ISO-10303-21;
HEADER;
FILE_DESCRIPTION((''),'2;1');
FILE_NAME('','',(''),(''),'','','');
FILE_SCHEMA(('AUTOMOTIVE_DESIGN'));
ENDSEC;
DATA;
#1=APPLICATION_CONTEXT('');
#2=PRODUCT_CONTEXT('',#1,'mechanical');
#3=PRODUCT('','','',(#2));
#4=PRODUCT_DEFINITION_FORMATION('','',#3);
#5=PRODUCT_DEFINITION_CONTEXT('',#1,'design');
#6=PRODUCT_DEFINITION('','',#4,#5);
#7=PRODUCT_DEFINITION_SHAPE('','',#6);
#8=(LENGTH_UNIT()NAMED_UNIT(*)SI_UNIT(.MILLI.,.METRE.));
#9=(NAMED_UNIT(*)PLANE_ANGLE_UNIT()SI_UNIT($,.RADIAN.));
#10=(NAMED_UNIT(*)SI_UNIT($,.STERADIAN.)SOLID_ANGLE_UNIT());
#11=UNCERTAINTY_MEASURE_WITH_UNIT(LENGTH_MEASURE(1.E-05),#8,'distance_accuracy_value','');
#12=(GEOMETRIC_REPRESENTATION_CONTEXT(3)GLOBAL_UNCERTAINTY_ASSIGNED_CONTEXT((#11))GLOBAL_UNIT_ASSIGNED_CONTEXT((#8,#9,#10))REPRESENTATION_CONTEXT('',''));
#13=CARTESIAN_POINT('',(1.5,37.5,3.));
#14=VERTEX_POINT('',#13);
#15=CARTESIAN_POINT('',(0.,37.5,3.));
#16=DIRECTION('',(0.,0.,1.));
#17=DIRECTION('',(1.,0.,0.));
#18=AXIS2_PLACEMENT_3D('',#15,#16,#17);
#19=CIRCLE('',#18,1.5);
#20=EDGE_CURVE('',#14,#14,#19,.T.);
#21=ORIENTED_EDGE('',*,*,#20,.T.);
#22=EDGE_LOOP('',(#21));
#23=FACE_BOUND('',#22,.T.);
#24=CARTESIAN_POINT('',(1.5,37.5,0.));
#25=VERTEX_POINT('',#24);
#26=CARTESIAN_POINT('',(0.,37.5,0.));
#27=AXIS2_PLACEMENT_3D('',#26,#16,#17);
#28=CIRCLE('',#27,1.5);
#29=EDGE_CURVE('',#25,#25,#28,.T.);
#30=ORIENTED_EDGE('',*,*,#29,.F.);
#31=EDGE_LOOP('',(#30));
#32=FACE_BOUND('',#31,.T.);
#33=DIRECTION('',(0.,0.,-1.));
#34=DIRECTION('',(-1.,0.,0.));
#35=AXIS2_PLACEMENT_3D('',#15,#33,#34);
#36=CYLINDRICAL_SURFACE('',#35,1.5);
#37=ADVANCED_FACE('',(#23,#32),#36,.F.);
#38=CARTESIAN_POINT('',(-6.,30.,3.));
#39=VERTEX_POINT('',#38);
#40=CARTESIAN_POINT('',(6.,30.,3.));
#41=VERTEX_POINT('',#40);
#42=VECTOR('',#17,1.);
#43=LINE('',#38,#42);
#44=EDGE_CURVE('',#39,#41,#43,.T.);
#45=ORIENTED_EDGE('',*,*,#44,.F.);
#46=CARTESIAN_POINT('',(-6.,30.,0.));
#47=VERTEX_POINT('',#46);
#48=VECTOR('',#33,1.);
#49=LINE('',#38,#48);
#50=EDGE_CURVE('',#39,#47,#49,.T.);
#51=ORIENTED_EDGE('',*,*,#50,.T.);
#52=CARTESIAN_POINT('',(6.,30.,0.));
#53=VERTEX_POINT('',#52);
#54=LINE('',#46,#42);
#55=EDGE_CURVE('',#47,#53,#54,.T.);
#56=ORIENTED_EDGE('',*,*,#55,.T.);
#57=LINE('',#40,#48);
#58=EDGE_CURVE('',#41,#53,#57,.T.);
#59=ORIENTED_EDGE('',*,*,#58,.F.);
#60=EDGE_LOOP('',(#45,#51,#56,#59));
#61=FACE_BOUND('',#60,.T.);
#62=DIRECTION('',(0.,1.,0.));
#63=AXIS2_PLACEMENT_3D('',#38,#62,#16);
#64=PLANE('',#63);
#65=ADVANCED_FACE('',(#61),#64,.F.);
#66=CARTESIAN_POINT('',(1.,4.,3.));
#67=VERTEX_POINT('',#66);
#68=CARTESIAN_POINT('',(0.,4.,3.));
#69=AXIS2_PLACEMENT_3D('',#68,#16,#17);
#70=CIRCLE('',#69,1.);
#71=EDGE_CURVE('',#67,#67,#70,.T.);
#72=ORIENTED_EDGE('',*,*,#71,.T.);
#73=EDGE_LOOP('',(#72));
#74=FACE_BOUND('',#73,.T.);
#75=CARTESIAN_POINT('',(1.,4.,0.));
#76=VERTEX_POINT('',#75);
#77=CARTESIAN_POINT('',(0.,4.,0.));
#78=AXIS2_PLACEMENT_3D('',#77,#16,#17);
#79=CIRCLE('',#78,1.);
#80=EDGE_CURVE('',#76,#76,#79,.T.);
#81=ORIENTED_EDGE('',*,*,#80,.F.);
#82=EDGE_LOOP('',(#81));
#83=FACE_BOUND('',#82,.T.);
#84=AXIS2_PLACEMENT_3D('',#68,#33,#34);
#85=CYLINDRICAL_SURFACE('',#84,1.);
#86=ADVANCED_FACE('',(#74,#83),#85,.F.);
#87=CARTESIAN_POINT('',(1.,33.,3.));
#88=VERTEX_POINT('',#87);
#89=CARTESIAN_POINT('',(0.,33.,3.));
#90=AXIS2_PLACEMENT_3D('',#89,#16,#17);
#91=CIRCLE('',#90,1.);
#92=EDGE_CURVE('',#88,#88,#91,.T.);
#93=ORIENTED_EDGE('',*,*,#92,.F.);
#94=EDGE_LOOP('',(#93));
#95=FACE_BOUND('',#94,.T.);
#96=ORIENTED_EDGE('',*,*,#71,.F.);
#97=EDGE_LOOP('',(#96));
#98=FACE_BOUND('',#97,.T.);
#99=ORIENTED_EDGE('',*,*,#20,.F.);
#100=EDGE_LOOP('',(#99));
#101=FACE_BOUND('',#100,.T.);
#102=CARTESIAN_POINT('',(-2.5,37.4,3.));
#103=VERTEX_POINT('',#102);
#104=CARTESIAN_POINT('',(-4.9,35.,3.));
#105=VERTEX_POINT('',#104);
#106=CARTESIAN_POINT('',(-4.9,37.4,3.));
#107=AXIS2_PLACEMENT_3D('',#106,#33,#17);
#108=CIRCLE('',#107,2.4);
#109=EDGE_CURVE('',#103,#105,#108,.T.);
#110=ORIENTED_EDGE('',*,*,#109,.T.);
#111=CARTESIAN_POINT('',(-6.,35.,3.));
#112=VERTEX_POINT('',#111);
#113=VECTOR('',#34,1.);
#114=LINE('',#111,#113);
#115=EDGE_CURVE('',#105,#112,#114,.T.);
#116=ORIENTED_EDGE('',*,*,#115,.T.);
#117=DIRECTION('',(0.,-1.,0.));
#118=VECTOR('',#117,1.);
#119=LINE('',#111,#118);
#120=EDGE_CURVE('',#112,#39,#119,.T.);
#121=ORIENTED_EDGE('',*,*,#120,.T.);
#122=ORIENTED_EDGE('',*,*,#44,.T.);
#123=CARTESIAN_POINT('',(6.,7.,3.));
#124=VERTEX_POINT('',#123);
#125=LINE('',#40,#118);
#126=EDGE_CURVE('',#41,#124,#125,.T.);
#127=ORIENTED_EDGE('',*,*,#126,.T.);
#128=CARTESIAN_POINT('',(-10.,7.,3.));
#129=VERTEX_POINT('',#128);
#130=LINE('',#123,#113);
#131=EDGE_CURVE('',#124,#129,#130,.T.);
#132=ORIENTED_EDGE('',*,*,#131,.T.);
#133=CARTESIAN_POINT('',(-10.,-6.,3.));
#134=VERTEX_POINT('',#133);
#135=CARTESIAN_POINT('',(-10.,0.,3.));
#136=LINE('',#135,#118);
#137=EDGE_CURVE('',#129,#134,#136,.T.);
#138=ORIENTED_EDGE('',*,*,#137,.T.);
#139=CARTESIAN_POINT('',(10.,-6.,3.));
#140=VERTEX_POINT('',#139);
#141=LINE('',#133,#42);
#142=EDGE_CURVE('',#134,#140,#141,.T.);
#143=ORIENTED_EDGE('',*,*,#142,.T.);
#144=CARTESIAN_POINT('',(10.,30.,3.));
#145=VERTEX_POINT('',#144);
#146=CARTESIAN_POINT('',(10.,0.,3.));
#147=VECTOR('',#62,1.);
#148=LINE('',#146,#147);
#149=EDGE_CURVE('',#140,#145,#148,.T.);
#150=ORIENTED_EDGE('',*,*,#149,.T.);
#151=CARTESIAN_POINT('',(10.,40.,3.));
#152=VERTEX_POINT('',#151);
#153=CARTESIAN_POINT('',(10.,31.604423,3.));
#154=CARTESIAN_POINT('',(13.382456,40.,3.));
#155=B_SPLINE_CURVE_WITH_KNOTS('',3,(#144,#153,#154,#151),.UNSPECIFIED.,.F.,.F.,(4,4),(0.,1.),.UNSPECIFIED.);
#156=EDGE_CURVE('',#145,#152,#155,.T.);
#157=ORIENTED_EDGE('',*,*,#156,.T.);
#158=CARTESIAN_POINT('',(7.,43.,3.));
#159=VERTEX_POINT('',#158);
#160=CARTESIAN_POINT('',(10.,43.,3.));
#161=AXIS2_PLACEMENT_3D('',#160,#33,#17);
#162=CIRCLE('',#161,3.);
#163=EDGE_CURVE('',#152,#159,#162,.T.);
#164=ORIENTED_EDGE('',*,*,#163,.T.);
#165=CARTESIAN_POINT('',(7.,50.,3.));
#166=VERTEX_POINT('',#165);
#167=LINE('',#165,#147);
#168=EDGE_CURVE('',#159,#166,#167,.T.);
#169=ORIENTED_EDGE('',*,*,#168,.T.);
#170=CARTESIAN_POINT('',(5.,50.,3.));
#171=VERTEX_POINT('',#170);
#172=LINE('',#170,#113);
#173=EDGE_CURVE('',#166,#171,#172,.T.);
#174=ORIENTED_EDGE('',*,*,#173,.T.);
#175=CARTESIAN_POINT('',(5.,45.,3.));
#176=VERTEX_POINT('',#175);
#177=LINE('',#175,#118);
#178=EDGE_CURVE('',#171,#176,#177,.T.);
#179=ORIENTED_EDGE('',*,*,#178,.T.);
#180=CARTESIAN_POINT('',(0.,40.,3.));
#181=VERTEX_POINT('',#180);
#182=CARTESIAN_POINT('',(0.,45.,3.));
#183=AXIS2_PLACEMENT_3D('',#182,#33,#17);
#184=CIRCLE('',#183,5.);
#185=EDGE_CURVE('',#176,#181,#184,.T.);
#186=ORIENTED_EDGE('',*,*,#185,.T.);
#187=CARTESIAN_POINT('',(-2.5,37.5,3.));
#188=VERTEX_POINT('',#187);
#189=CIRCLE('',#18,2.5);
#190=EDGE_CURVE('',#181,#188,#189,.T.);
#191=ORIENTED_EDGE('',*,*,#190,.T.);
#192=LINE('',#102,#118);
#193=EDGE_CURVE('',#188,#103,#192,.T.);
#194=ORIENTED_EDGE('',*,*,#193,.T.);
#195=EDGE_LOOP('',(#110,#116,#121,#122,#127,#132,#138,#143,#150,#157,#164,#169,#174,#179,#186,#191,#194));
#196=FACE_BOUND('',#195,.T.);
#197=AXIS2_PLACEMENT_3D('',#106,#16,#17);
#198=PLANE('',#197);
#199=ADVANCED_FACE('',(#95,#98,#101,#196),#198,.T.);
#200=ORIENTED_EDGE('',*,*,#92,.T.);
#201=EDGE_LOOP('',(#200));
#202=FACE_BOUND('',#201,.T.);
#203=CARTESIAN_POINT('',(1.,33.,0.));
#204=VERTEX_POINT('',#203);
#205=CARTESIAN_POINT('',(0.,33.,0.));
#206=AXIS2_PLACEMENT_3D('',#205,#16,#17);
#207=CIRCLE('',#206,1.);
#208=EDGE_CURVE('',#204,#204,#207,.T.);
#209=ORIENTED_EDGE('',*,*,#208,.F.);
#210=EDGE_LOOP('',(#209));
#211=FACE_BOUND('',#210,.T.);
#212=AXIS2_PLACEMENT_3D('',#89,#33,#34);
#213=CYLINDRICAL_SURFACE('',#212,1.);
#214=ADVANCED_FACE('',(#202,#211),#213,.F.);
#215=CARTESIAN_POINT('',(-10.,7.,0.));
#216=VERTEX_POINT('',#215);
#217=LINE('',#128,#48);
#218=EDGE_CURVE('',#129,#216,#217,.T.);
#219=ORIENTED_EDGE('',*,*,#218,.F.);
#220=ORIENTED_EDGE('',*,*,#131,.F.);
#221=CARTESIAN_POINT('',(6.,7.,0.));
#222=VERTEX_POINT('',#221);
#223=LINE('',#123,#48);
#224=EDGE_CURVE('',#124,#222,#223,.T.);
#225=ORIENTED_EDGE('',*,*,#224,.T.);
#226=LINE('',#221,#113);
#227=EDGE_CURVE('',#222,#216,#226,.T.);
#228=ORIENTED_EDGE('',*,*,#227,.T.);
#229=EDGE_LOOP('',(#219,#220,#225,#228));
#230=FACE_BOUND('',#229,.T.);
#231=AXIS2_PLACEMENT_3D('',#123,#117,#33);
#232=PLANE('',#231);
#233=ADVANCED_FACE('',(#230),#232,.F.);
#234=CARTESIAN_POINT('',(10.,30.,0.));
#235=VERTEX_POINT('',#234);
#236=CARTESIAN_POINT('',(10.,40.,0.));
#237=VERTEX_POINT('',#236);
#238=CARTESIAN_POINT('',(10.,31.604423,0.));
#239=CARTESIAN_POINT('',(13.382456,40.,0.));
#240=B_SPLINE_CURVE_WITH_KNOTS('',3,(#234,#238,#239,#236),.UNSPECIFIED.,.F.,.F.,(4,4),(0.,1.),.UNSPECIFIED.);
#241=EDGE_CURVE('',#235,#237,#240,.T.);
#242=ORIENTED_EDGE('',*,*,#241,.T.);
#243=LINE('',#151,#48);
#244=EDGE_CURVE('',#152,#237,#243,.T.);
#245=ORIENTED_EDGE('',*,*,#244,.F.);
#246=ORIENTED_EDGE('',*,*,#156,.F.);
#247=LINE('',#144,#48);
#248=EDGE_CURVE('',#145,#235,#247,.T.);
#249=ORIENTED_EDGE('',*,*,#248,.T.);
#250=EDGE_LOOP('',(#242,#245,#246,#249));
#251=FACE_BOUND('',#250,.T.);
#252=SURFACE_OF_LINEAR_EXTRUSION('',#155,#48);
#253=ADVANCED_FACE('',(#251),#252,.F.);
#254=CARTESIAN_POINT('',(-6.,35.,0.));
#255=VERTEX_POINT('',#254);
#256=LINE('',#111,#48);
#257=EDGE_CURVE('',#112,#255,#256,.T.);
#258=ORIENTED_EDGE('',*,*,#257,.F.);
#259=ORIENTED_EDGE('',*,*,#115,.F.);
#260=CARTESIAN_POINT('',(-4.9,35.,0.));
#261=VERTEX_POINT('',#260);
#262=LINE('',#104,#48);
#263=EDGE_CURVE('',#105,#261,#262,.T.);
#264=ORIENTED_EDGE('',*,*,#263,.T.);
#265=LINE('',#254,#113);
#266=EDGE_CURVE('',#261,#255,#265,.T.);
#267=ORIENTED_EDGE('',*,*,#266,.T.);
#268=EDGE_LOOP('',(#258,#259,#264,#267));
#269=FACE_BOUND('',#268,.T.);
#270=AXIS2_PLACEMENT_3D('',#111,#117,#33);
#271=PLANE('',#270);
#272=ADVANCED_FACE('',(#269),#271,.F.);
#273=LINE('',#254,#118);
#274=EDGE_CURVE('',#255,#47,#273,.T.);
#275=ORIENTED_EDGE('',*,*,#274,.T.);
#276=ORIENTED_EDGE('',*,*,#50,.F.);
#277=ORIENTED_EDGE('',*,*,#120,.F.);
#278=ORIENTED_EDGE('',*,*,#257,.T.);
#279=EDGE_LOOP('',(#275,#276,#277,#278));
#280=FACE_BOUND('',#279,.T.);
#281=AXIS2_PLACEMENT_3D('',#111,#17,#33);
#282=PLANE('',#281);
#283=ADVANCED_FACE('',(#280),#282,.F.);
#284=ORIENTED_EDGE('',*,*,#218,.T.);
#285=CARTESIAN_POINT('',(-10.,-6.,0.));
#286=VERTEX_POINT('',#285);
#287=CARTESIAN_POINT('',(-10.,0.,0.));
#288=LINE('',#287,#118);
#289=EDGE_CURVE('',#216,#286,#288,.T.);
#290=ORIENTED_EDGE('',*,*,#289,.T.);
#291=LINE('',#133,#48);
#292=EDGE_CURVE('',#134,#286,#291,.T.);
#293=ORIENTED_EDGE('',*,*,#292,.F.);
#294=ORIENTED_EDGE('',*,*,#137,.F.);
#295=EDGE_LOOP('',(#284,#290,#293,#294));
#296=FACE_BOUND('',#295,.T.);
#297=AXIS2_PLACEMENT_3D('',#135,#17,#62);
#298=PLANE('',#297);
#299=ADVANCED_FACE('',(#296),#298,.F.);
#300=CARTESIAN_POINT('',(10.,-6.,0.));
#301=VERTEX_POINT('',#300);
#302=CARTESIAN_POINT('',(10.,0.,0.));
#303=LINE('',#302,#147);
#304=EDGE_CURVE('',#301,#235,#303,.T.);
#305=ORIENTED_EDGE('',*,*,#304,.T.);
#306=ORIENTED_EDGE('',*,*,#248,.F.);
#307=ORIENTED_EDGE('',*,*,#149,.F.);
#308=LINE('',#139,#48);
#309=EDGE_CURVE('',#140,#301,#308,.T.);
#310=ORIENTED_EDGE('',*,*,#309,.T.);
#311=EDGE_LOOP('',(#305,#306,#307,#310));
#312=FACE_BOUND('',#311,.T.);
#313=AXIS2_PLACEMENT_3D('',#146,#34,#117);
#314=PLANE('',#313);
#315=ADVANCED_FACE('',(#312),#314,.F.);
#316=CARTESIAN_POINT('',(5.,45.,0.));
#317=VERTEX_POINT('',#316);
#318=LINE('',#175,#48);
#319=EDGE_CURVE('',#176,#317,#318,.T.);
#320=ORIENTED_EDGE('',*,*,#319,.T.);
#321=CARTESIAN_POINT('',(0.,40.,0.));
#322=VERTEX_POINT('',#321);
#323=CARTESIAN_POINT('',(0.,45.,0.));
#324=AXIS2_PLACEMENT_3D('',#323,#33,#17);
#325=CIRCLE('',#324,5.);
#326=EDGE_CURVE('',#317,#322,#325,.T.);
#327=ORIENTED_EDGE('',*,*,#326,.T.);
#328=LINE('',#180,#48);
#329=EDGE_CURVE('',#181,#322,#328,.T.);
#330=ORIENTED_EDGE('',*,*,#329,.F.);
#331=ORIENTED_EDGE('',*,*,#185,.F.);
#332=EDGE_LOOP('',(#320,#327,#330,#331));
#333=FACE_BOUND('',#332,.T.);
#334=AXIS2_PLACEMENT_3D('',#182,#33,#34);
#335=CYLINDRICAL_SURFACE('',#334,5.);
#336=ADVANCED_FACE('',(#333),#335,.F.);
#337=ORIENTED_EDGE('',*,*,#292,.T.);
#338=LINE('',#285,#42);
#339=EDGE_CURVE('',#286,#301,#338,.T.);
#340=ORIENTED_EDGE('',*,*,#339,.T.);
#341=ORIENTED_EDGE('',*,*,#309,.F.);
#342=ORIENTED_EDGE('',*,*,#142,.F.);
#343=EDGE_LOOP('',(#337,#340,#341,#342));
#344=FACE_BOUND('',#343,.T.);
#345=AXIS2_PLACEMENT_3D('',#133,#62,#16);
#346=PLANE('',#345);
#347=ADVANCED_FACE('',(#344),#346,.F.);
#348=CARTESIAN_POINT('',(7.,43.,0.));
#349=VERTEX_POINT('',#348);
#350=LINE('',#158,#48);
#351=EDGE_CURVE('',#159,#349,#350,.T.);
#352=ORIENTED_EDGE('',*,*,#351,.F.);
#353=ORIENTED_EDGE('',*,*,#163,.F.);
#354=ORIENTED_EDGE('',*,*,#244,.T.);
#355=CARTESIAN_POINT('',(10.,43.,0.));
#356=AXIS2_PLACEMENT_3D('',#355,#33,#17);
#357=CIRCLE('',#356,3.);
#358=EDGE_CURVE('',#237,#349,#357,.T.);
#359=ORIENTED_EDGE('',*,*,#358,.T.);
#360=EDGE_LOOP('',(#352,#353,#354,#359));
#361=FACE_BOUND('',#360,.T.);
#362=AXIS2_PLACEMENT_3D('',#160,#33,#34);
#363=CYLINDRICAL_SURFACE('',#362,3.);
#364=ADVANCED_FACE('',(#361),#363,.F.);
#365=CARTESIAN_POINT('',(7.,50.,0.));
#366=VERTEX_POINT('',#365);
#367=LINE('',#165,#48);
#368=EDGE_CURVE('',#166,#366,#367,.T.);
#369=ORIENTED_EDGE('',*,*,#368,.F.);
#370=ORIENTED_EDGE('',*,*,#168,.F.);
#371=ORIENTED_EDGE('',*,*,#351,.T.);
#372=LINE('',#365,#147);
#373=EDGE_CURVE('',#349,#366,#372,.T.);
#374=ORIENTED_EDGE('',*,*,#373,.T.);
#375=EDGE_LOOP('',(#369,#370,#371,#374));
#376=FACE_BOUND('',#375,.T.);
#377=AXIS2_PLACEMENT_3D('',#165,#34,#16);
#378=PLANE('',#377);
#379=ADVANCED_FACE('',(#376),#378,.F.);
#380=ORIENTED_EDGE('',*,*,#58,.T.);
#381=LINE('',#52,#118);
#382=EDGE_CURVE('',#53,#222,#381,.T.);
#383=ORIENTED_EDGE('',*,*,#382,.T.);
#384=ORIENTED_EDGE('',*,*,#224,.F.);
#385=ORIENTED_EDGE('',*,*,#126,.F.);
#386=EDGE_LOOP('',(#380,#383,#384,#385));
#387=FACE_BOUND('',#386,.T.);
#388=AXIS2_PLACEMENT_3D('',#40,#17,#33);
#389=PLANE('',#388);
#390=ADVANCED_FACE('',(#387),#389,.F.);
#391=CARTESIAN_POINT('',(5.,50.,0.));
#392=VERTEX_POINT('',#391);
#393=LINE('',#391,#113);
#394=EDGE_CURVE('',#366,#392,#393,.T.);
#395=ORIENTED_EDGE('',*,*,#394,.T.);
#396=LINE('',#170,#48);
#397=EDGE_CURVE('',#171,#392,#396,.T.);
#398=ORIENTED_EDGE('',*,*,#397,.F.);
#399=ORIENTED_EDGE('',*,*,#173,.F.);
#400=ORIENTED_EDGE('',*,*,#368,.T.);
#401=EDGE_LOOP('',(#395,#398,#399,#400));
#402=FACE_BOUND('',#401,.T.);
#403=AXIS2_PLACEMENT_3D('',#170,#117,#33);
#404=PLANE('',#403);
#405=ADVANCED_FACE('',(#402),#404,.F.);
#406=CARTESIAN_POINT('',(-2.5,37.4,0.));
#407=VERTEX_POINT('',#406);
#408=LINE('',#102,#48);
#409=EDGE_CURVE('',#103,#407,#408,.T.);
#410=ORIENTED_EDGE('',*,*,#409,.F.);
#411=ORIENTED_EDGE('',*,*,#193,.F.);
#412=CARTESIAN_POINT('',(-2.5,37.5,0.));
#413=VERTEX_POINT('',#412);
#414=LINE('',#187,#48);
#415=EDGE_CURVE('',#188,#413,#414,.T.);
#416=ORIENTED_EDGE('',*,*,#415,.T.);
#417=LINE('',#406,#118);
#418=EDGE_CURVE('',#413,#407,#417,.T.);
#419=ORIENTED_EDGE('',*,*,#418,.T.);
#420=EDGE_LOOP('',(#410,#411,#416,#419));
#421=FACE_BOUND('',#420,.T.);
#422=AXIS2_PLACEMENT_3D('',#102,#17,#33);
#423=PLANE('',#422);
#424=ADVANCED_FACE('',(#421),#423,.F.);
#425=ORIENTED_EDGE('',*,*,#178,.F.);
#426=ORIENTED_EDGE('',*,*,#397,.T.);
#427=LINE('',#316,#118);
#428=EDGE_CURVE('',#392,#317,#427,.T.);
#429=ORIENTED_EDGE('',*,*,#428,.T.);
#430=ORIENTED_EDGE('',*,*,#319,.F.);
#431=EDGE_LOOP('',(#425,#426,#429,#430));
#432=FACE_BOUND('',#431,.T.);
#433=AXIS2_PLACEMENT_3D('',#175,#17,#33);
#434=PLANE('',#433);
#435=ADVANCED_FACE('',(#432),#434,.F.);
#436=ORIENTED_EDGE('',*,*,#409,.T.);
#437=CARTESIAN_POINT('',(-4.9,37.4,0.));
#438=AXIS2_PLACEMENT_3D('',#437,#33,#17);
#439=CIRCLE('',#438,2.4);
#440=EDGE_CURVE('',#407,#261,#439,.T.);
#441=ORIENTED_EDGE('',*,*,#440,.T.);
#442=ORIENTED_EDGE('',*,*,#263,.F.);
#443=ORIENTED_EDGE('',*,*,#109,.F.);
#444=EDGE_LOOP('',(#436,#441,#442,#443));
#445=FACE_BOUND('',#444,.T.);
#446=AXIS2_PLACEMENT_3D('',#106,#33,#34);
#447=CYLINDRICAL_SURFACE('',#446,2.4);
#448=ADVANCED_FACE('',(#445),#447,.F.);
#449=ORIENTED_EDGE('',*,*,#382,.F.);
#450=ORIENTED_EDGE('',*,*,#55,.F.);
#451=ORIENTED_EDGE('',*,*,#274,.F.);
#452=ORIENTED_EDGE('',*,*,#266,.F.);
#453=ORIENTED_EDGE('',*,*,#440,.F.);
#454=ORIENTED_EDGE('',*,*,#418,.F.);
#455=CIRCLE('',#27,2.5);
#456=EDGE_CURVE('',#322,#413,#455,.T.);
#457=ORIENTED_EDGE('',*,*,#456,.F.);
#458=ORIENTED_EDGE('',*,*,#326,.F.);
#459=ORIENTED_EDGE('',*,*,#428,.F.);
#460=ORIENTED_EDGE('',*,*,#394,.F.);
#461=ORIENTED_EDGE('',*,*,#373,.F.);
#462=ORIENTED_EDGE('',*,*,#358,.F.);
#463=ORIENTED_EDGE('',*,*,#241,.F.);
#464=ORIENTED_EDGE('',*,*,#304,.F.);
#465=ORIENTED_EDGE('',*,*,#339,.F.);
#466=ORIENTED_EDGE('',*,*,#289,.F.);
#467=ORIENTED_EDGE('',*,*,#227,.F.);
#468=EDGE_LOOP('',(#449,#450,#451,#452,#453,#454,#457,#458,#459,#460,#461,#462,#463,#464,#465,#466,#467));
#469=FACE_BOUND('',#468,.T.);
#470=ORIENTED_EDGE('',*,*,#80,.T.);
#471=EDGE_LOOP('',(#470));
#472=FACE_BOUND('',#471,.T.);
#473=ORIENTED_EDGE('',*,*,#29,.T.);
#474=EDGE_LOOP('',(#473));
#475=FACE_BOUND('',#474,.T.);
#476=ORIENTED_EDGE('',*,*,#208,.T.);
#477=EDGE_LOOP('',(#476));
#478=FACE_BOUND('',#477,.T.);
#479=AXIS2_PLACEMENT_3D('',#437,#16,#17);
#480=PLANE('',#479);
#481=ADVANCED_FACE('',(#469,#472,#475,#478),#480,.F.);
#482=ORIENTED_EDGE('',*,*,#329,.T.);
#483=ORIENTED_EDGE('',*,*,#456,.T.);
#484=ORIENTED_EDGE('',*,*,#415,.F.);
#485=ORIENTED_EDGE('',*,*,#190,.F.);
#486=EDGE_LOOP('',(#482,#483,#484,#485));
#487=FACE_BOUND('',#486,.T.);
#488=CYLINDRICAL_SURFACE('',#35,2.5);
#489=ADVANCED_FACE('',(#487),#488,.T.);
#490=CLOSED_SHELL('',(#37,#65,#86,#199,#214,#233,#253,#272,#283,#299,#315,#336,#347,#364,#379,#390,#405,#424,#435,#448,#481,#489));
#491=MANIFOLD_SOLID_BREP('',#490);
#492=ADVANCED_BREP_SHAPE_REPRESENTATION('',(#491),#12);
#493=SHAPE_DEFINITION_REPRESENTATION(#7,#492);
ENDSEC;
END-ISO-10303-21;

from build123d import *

# Parameters (mm, degrees)
CROQUIS2_R              = 1.5
CROQUIS2_R_2            = 1
SALIENTE_EXTRUIR1_DEPTH = 3


with BuildPart() as part:
    # Croquis2 → Saliente-Extruir1 (new body)
    with BuildSketch(Plane.XY):
        with BuildLine():
            Line((10, 0), (10, 30))
            add(Edge.make_bspline(
                [(10, 40), (13.382456464, 40), (10, 31.604422757), (10, 30)],
                knots=[0, 0, 0, 0, 1, 1, 1, 1], degree=3))
            ThreePointArc((10, 40), (7.878679656, 40.878679656), (7, 43))
            Line((7, 43), (7, 50))
            Line((7, 50), (5, 50))
            Line((5, 50), (5, 45))
            ThreePointArc((5, 45), (3.535533906, 41.464466094), (0, 40))
            ThreePointArc((0, 40), (-1.767766953, 39.267766953), (-2.5, 37.5))
            Line((-2.5, 37.5), (-2.5, 37.4))
            ThreePointArc((-2.5, 37.4), (-3.202943725, 35.702943725), (-4.9, 35))
            Line((-4.9, 35), (-6, 35))
            Line((-6, 35), (-6, 30))
            Line((-6, 30), (6, 30))
            Line((6, 30), (6, 7))
            Line((6, 7), (-10, 7))
            Line((-10, 7), (-10, 0))
            Line((-10, 0), (-10, -6))
            Line((-10, -6), (10, -6))
            Line((10, -6), (10, 0))
        make_face()
        with Locations((0, 37.5)):
            Circle(CROQUIS2_R, mode=Mode.SUBTRACT)
        with Locations((0, 33)):
            Circle(CROQUIS2_R_2, mode=Mode.SUBTRACT)
        with Locations((0, 4)):
            Circle(CROQUIS2_R_2, mode=Mode.SUBTRACT)
    extrude(amount=SALIENTE_EXTRUIR1_DEPTH)


solid = part.part
